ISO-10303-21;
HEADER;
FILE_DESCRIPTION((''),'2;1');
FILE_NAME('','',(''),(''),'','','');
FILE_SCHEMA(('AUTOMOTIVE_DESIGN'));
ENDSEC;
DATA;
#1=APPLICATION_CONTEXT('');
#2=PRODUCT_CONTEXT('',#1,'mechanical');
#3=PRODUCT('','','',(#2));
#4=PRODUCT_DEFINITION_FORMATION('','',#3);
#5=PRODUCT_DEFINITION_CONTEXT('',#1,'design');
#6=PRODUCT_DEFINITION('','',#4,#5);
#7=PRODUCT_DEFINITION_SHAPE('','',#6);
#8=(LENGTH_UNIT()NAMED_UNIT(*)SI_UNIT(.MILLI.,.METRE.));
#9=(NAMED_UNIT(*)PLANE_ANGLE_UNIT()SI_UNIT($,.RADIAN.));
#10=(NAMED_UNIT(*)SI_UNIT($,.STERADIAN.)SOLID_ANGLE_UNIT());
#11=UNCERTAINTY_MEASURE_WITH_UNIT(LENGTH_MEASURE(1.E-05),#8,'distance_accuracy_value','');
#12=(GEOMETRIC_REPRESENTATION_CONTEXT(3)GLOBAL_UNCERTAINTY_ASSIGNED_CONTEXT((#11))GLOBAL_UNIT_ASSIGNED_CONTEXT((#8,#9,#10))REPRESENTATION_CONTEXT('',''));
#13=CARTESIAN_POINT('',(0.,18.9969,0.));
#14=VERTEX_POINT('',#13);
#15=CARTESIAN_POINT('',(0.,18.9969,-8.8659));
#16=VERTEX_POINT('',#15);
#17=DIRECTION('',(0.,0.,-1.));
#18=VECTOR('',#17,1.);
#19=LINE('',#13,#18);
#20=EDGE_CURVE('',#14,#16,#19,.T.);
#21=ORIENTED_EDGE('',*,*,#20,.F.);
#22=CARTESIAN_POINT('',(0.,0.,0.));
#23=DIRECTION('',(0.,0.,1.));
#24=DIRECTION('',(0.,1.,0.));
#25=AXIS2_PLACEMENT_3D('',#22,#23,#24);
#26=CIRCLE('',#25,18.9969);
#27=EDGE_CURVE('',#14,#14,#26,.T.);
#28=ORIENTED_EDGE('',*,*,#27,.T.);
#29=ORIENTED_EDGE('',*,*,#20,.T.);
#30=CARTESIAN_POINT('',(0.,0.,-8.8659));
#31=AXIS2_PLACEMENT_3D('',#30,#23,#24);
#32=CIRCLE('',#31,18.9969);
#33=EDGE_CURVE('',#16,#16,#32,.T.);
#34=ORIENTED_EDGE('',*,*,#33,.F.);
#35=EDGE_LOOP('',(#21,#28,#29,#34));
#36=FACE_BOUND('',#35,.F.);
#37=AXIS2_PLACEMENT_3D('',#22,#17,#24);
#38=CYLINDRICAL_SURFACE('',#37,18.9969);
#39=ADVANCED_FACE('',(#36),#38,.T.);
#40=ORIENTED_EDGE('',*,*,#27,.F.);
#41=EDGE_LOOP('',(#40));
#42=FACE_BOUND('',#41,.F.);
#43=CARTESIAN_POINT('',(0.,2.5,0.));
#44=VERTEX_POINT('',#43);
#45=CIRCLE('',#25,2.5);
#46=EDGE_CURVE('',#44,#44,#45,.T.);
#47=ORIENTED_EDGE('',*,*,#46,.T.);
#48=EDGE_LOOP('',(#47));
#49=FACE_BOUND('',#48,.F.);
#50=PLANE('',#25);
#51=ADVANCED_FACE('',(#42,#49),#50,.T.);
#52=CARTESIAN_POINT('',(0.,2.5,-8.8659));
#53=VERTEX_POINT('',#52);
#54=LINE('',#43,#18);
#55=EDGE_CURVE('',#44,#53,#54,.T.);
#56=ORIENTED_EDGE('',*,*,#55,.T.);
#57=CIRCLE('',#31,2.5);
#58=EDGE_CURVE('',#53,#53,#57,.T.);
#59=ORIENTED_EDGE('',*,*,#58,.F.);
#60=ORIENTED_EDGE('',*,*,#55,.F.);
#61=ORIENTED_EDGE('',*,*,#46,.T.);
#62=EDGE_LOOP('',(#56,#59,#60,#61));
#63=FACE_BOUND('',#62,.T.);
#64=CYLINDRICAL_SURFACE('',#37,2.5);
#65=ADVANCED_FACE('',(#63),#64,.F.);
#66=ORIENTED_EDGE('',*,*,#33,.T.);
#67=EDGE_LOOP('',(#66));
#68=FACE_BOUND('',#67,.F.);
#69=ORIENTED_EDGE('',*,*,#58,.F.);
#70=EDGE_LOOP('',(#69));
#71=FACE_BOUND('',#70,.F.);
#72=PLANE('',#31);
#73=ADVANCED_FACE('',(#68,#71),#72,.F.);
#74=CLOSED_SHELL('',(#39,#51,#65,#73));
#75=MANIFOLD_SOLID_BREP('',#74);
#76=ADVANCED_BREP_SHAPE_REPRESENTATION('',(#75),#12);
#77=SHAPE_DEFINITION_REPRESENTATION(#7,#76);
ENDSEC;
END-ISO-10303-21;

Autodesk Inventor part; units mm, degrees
ref_plane "YZ Plane" through (0, 0, 0) normal (1, 0, 0) x (0, 1, 0)
ref_plane "XZ Plane" through (0, 0, 0) normal (0, 1, 0) x (-1, 0, 0)
ref_plane "XY Plane" through (0, 0, 0) normal (0, 0, 1) x (1, 0, 0)
sketch "Sketch1" plane through (0, 0, 0) normal (1, 0, 0) x (0, 1, 0)
  line L0 (0, 0) -> (18.9969, 0)
  line L1 (18.9969, 0) -> (18.9969, -8.8659)
  line L2 (18.9969, -8.8659) -> (0, -8.8659)
  line L3 (0, -8.8659) -> (0, 0)
  line L4 (0, 0) -> (2.5, 0)
  line L5 (2.5, 0) -> (2.5, -8.8659)
  dimension "d0" = 2.5
revolve "Revolution1" add sketch "Sketch1" angle 360 about axis through (0, 0, -8.8659) along (0, 0, 1) contours L0 L1 L2 L5
properties part number "slipring"
